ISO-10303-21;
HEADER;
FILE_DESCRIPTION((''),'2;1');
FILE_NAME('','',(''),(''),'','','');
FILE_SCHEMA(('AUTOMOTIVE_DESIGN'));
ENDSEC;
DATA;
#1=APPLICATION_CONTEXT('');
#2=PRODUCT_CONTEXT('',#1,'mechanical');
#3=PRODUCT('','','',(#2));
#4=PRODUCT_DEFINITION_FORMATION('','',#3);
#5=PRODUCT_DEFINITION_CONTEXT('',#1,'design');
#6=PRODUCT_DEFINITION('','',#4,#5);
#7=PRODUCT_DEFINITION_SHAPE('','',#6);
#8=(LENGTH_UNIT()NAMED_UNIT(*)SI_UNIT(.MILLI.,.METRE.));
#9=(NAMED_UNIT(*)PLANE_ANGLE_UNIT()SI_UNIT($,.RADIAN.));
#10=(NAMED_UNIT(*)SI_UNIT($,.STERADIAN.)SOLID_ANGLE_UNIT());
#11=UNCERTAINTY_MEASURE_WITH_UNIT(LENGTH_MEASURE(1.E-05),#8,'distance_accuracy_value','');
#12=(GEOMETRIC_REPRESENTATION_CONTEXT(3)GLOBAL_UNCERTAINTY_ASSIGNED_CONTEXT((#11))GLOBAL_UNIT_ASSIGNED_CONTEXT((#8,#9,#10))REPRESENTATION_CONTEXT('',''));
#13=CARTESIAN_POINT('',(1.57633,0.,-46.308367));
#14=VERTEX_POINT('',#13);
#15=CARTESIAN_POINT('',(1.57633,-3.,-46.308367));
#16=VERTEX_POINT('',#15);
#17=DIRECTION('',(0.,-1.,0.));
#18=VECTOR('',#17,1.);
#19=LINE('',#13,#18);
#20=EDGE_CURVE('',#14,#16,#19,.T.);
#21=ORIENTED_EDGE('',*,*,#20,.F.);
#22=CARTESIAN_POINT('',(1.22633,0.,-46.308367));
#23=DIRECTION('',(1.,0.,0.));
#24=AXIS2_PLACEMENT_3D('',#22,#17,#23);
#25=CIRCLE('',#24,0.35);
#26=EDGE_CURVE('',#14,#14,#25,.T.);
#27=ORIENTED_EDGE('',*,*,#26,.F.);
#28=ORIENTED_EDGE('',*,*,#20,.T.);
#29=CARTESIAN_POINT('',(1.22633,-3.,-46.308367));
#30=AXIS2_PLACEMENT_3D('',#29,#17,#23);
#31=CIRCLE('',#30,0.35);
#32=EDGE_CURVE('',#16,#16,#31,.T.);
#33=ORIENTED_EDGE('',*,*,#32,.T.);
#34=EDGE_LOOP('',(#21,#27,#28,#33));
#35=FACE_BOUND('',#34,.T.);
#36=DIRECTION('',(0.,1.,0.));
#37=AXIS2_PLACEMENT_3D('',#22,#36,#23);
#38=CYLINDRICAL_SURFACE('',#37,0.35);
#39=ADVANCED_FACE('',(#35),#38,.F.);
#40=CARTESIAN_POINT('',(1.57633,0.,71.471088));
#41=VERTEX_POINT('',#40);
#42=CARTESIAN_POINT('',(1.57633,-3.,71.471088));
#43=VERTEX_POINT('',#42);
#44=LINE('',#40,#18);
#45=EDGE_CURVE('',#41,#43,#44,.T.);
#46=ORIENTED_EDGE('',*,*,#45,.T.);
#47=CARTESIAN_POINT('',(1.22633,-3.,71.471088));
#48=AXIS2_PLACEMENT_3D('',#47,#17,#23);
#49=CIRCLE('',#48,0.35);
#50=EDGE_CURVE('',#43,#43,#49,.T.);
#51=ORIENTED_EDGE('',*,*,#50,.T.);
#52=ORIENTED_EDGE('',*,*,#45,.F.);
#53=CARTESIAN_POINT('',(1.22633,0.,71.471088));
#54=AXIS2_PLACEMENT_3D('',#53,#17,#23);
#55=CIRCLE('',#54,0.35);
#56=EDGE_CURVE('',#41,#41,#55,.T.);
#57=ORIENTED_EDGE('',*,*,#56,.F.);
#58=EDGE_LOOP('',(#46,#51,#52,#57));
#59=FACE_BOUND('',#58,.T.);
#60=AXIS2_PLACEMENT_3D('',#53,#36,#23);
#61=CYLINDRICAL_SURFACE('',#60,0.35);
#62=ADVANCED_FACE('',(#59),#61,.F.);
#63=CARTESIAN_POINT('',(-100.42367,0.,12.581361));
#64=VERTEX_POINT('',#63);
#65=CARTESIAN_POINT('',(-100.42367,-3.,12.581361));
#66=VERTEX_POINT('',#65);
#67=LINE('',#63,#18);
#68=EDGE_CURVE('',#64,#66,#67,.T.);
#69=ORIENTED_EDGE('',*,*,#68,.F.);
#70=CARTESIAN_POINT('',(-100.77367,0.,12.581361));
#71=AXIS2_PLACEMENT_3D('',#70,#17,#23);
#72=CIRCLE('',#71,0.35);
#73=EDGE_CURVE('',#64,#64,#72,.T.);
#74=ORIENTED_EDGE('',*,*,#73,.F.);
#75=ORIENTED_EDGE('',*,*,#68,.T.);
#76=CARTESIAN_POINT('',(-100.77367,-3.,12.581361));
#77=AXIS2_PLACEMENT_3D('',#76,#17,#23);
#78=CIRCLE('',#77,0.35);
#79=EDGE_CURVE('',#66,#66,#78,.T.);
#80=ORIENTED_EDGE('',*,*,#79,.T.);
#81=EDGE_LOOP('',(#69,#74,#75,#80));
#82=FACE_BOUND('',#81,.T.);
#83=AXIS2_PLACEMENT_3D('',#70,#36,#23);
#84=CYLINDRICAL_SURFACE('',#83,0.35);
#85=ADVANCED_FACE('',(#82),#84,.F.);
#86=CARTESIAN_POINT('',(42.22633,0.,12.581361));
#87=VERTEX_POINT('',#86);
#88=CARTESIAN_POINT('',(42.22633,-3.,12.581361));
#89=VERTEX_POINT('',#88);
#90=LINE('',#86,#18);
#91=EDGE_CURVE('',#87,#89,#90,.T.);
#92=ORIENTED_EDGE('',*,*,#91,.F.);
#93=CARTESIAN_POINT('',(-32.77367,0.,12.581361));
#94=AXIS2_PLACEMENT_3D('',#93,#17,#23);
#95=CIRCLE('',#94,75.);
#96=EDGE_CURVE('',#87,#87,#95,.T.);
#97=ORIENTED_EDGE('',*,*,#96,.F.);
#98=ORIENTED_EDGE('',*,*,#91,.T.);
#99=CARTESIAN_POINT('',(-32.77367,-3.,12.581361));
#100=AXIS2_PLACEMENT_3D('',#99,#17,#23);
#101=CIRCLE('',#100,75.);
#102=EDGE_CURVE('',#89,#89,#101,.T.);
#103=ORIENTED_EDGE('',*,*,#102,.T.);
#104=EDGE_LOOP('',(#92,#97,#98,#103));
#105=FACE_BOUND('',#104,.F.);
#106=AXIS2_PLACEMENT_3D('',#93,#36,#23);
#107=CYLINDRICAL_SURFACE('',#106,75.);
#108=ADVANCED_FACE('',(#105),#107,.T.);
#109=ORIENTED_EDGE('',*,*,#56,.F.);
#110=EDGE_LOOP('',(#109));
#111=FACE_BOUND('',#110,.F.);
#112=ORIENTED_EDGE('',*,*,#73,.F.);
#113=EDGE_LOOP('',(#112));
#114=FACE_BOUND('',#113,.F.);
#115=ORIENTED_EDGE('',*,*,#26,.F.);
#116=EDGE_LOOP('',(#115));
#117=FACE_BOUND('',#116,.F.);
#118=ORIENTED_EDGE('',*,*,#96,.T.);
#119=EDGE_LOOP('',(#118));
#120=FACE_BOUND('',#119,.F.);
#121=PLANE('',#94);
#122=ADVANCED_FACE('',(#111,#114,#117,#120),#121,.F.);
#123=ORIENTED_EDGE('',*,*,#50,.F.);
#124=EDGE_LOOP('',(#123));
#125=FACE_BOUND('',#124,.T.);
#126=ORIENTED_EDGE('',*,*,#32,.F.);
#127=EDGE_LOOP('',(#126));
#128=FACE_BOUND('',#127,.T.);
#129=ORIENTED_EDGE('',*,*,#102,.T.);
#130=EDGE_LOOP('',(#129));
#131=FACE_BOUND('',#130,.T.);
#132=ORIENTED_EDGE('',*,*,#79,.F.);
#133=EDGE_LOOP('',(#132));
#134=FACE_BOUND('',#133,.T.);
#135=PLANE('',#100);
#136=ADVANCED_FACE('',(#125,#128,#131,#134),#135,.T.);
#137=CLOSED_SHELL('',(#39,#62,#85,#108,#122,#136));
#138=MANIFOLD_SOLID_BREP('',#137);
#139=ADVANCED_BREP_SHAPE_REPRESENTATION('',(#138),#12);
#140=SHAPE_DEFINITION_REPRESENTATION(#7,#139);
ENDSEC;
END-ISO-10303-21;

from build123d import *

# Parameters (mm, degrees)
F0_R     = 75
F0_R_2   = 0.35
F1_DEPTH = 3


with BuildPart() as f1:
    # F0 (on Front) → F1 (new body)
    with BuildSketch(Plane.XZ):
        with Locations((-32.77367, 12.581361)):
            Circle(F0_R)
        with Locations((1.22633, -46.308367)):
            Circle(F0_R_2, mode=Mode.SUBTRACT)
        with Locations((-100.77367, 12.581361)):
            Circle(F0_R_2, mode=Mode.SUBTRACT)
        with Locations((1.22633, 71.471088)):
            Circle(F0_R_2, mode=Mode.SUBTRACT)
    extrude(amount=F1_DEPTH)


solid = f1.part
